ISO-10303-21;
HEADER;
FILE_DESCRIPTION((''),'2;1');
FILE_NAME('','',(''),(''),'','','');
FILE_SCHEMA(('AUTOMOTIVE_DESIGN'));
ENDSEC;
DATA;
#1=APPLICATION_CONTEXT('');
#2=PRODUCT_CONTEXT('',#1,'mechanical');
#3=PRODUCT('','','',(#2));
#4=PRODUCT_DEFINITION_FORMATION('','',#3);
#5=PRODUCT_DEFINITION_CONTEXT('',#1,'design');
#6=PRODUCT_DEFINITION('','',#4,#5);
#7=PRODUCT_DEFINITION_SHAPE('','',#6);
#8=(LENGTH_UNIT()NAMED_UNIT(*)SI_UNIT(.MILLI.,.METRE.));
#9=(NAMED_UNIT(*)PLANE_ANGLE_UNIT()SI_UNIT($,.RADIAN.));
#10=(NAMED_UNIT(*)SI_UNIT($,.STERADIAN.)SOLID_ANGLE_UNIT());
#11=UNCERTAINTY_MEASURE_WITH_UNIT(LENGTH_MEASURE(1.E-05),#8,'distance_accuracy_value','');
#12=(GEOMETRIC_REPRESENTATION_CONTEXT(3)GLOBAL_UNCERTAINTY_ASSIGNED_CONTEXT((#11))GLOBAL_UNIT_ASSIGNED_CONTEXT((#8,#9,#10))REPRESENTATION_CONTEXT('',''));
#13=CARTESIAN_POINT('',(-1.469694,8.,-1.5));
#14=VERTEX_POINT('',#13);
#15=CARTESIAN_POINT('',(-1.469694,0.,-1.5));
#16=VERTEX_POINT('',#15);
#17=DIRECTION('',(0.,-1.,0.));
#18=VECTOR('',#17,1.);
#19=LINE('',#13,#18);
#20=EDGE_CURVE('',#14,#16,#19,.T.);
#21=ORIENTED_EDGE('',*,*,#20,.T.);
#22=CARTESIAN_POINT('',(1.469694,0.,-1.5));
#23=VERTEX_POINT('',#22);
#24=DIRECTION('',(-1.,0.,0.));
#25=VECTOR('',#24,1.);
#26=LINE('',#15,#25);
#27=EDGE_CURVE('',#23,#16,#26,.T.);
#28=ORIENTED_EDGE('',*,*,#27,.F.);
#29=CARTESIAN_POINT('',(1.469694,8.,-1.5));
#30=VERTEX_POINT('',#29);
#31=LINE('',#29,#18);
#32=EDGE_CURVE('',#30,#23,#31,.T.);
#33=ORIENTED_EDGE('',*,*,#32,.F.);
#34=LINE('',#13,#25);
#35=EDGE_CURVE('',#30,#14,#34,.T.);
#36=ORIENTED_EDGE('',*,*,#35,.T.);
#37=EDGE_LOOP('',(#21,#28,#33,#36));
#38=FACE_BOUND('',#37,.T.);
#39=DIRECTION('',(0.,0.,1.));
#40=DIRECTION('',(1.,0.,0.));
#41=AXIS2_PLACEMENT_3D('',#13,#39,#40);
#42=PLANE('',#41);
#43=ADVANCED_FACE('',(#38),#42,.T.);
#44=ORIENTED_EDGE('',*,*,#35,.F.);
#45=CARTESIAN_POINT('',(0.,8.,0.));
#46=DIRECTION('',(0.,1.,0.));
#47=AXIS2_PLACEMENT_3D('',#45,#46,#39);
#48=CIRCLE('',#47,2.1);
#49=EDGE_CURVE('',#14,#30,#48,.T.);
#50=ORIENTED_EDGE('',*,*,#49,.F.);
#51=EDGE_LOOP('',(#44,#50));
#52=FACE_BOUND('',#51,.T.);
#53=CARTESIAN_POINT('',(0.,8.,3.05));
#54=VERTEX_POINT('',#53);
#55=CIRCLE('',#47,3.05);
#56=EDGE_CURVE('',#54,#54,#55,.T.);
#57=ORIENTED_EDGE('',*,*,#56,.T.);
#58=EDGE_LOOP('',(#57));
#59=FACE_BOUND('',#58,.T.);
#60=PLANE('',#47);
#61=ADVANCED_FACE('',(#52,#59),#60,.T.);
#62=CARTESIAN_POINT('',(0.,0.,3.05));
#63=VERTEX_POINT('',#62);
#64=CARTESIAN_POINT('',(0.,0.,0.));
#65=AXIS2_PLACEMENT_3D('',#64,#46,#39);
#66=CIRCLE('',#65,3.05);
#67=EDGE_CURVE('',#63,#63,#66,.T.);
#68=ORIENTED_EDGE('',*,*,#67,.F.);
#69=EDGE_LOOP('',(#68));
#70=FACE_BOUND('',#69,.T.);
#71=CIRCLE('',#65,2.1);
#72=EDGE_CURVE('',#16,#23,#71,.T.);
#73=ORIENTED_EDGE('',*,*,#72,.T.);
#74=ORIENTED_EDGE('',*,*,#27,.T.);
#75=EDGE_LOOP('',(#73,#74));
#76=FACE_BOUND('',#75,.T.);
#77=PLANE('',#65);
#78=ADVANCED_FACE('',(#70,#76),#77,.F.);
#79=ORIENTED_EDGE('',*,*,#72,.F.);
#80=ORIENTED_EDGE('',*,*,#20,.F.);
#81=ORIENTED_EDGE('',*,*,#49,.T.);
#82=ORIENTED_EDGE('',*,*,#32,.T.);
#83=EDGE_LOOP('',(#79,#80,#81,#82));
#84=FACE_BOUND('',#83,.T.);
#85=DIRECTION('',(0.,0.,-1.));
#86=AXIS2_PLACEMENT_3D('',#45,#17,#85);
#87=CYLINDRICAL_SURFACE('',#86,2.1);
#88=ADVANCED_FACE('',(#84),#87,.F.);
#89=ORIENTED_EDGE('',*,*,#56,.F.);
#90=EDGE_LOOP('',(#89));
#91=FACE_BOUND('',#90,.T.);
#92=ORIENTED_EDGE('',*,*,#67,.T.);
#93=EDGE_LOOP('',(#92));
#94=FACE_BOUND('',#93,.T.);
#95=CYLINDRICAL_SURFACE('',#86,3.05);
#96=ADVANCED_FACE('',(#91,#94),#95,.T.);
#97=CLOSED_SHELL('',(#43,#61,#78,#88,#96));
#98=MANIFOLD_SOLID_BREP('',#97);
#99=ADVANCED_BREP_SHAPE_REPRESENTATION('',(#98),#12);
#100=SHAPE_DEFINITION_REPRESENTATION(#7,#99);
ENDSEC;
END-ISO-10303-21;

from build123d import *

# Parameters (mm, degrees)
SKETCH1_R           = 3.05
BOSS_EXTRUDE1_DEPTH = 8


with BuildPart() as part:
    # Sketch1 → Boss-Extrude1 (new body)
    with BuildSketch(Plane(origin=(0, 0, 0), x_dir=(1, 0, 0), z_dir=(0, 1, 0))):
        with Locations(Location((0, 0, 0), (0, 0, 270))):
            Circle(SKETCH1_R)
        with BuildLine():
            Line((-1.469693846, 1.5), (1.469693846, 1.5))
            ThreePointArc((1.469693846, 1.5), (0, -2.1), (-1.469693846, 1.5))
        make_face(mode=Mode.SUBTRACT)
    extrude(amount=BOSS_EXTRUDE1_DEPTH)


solid = part.part
